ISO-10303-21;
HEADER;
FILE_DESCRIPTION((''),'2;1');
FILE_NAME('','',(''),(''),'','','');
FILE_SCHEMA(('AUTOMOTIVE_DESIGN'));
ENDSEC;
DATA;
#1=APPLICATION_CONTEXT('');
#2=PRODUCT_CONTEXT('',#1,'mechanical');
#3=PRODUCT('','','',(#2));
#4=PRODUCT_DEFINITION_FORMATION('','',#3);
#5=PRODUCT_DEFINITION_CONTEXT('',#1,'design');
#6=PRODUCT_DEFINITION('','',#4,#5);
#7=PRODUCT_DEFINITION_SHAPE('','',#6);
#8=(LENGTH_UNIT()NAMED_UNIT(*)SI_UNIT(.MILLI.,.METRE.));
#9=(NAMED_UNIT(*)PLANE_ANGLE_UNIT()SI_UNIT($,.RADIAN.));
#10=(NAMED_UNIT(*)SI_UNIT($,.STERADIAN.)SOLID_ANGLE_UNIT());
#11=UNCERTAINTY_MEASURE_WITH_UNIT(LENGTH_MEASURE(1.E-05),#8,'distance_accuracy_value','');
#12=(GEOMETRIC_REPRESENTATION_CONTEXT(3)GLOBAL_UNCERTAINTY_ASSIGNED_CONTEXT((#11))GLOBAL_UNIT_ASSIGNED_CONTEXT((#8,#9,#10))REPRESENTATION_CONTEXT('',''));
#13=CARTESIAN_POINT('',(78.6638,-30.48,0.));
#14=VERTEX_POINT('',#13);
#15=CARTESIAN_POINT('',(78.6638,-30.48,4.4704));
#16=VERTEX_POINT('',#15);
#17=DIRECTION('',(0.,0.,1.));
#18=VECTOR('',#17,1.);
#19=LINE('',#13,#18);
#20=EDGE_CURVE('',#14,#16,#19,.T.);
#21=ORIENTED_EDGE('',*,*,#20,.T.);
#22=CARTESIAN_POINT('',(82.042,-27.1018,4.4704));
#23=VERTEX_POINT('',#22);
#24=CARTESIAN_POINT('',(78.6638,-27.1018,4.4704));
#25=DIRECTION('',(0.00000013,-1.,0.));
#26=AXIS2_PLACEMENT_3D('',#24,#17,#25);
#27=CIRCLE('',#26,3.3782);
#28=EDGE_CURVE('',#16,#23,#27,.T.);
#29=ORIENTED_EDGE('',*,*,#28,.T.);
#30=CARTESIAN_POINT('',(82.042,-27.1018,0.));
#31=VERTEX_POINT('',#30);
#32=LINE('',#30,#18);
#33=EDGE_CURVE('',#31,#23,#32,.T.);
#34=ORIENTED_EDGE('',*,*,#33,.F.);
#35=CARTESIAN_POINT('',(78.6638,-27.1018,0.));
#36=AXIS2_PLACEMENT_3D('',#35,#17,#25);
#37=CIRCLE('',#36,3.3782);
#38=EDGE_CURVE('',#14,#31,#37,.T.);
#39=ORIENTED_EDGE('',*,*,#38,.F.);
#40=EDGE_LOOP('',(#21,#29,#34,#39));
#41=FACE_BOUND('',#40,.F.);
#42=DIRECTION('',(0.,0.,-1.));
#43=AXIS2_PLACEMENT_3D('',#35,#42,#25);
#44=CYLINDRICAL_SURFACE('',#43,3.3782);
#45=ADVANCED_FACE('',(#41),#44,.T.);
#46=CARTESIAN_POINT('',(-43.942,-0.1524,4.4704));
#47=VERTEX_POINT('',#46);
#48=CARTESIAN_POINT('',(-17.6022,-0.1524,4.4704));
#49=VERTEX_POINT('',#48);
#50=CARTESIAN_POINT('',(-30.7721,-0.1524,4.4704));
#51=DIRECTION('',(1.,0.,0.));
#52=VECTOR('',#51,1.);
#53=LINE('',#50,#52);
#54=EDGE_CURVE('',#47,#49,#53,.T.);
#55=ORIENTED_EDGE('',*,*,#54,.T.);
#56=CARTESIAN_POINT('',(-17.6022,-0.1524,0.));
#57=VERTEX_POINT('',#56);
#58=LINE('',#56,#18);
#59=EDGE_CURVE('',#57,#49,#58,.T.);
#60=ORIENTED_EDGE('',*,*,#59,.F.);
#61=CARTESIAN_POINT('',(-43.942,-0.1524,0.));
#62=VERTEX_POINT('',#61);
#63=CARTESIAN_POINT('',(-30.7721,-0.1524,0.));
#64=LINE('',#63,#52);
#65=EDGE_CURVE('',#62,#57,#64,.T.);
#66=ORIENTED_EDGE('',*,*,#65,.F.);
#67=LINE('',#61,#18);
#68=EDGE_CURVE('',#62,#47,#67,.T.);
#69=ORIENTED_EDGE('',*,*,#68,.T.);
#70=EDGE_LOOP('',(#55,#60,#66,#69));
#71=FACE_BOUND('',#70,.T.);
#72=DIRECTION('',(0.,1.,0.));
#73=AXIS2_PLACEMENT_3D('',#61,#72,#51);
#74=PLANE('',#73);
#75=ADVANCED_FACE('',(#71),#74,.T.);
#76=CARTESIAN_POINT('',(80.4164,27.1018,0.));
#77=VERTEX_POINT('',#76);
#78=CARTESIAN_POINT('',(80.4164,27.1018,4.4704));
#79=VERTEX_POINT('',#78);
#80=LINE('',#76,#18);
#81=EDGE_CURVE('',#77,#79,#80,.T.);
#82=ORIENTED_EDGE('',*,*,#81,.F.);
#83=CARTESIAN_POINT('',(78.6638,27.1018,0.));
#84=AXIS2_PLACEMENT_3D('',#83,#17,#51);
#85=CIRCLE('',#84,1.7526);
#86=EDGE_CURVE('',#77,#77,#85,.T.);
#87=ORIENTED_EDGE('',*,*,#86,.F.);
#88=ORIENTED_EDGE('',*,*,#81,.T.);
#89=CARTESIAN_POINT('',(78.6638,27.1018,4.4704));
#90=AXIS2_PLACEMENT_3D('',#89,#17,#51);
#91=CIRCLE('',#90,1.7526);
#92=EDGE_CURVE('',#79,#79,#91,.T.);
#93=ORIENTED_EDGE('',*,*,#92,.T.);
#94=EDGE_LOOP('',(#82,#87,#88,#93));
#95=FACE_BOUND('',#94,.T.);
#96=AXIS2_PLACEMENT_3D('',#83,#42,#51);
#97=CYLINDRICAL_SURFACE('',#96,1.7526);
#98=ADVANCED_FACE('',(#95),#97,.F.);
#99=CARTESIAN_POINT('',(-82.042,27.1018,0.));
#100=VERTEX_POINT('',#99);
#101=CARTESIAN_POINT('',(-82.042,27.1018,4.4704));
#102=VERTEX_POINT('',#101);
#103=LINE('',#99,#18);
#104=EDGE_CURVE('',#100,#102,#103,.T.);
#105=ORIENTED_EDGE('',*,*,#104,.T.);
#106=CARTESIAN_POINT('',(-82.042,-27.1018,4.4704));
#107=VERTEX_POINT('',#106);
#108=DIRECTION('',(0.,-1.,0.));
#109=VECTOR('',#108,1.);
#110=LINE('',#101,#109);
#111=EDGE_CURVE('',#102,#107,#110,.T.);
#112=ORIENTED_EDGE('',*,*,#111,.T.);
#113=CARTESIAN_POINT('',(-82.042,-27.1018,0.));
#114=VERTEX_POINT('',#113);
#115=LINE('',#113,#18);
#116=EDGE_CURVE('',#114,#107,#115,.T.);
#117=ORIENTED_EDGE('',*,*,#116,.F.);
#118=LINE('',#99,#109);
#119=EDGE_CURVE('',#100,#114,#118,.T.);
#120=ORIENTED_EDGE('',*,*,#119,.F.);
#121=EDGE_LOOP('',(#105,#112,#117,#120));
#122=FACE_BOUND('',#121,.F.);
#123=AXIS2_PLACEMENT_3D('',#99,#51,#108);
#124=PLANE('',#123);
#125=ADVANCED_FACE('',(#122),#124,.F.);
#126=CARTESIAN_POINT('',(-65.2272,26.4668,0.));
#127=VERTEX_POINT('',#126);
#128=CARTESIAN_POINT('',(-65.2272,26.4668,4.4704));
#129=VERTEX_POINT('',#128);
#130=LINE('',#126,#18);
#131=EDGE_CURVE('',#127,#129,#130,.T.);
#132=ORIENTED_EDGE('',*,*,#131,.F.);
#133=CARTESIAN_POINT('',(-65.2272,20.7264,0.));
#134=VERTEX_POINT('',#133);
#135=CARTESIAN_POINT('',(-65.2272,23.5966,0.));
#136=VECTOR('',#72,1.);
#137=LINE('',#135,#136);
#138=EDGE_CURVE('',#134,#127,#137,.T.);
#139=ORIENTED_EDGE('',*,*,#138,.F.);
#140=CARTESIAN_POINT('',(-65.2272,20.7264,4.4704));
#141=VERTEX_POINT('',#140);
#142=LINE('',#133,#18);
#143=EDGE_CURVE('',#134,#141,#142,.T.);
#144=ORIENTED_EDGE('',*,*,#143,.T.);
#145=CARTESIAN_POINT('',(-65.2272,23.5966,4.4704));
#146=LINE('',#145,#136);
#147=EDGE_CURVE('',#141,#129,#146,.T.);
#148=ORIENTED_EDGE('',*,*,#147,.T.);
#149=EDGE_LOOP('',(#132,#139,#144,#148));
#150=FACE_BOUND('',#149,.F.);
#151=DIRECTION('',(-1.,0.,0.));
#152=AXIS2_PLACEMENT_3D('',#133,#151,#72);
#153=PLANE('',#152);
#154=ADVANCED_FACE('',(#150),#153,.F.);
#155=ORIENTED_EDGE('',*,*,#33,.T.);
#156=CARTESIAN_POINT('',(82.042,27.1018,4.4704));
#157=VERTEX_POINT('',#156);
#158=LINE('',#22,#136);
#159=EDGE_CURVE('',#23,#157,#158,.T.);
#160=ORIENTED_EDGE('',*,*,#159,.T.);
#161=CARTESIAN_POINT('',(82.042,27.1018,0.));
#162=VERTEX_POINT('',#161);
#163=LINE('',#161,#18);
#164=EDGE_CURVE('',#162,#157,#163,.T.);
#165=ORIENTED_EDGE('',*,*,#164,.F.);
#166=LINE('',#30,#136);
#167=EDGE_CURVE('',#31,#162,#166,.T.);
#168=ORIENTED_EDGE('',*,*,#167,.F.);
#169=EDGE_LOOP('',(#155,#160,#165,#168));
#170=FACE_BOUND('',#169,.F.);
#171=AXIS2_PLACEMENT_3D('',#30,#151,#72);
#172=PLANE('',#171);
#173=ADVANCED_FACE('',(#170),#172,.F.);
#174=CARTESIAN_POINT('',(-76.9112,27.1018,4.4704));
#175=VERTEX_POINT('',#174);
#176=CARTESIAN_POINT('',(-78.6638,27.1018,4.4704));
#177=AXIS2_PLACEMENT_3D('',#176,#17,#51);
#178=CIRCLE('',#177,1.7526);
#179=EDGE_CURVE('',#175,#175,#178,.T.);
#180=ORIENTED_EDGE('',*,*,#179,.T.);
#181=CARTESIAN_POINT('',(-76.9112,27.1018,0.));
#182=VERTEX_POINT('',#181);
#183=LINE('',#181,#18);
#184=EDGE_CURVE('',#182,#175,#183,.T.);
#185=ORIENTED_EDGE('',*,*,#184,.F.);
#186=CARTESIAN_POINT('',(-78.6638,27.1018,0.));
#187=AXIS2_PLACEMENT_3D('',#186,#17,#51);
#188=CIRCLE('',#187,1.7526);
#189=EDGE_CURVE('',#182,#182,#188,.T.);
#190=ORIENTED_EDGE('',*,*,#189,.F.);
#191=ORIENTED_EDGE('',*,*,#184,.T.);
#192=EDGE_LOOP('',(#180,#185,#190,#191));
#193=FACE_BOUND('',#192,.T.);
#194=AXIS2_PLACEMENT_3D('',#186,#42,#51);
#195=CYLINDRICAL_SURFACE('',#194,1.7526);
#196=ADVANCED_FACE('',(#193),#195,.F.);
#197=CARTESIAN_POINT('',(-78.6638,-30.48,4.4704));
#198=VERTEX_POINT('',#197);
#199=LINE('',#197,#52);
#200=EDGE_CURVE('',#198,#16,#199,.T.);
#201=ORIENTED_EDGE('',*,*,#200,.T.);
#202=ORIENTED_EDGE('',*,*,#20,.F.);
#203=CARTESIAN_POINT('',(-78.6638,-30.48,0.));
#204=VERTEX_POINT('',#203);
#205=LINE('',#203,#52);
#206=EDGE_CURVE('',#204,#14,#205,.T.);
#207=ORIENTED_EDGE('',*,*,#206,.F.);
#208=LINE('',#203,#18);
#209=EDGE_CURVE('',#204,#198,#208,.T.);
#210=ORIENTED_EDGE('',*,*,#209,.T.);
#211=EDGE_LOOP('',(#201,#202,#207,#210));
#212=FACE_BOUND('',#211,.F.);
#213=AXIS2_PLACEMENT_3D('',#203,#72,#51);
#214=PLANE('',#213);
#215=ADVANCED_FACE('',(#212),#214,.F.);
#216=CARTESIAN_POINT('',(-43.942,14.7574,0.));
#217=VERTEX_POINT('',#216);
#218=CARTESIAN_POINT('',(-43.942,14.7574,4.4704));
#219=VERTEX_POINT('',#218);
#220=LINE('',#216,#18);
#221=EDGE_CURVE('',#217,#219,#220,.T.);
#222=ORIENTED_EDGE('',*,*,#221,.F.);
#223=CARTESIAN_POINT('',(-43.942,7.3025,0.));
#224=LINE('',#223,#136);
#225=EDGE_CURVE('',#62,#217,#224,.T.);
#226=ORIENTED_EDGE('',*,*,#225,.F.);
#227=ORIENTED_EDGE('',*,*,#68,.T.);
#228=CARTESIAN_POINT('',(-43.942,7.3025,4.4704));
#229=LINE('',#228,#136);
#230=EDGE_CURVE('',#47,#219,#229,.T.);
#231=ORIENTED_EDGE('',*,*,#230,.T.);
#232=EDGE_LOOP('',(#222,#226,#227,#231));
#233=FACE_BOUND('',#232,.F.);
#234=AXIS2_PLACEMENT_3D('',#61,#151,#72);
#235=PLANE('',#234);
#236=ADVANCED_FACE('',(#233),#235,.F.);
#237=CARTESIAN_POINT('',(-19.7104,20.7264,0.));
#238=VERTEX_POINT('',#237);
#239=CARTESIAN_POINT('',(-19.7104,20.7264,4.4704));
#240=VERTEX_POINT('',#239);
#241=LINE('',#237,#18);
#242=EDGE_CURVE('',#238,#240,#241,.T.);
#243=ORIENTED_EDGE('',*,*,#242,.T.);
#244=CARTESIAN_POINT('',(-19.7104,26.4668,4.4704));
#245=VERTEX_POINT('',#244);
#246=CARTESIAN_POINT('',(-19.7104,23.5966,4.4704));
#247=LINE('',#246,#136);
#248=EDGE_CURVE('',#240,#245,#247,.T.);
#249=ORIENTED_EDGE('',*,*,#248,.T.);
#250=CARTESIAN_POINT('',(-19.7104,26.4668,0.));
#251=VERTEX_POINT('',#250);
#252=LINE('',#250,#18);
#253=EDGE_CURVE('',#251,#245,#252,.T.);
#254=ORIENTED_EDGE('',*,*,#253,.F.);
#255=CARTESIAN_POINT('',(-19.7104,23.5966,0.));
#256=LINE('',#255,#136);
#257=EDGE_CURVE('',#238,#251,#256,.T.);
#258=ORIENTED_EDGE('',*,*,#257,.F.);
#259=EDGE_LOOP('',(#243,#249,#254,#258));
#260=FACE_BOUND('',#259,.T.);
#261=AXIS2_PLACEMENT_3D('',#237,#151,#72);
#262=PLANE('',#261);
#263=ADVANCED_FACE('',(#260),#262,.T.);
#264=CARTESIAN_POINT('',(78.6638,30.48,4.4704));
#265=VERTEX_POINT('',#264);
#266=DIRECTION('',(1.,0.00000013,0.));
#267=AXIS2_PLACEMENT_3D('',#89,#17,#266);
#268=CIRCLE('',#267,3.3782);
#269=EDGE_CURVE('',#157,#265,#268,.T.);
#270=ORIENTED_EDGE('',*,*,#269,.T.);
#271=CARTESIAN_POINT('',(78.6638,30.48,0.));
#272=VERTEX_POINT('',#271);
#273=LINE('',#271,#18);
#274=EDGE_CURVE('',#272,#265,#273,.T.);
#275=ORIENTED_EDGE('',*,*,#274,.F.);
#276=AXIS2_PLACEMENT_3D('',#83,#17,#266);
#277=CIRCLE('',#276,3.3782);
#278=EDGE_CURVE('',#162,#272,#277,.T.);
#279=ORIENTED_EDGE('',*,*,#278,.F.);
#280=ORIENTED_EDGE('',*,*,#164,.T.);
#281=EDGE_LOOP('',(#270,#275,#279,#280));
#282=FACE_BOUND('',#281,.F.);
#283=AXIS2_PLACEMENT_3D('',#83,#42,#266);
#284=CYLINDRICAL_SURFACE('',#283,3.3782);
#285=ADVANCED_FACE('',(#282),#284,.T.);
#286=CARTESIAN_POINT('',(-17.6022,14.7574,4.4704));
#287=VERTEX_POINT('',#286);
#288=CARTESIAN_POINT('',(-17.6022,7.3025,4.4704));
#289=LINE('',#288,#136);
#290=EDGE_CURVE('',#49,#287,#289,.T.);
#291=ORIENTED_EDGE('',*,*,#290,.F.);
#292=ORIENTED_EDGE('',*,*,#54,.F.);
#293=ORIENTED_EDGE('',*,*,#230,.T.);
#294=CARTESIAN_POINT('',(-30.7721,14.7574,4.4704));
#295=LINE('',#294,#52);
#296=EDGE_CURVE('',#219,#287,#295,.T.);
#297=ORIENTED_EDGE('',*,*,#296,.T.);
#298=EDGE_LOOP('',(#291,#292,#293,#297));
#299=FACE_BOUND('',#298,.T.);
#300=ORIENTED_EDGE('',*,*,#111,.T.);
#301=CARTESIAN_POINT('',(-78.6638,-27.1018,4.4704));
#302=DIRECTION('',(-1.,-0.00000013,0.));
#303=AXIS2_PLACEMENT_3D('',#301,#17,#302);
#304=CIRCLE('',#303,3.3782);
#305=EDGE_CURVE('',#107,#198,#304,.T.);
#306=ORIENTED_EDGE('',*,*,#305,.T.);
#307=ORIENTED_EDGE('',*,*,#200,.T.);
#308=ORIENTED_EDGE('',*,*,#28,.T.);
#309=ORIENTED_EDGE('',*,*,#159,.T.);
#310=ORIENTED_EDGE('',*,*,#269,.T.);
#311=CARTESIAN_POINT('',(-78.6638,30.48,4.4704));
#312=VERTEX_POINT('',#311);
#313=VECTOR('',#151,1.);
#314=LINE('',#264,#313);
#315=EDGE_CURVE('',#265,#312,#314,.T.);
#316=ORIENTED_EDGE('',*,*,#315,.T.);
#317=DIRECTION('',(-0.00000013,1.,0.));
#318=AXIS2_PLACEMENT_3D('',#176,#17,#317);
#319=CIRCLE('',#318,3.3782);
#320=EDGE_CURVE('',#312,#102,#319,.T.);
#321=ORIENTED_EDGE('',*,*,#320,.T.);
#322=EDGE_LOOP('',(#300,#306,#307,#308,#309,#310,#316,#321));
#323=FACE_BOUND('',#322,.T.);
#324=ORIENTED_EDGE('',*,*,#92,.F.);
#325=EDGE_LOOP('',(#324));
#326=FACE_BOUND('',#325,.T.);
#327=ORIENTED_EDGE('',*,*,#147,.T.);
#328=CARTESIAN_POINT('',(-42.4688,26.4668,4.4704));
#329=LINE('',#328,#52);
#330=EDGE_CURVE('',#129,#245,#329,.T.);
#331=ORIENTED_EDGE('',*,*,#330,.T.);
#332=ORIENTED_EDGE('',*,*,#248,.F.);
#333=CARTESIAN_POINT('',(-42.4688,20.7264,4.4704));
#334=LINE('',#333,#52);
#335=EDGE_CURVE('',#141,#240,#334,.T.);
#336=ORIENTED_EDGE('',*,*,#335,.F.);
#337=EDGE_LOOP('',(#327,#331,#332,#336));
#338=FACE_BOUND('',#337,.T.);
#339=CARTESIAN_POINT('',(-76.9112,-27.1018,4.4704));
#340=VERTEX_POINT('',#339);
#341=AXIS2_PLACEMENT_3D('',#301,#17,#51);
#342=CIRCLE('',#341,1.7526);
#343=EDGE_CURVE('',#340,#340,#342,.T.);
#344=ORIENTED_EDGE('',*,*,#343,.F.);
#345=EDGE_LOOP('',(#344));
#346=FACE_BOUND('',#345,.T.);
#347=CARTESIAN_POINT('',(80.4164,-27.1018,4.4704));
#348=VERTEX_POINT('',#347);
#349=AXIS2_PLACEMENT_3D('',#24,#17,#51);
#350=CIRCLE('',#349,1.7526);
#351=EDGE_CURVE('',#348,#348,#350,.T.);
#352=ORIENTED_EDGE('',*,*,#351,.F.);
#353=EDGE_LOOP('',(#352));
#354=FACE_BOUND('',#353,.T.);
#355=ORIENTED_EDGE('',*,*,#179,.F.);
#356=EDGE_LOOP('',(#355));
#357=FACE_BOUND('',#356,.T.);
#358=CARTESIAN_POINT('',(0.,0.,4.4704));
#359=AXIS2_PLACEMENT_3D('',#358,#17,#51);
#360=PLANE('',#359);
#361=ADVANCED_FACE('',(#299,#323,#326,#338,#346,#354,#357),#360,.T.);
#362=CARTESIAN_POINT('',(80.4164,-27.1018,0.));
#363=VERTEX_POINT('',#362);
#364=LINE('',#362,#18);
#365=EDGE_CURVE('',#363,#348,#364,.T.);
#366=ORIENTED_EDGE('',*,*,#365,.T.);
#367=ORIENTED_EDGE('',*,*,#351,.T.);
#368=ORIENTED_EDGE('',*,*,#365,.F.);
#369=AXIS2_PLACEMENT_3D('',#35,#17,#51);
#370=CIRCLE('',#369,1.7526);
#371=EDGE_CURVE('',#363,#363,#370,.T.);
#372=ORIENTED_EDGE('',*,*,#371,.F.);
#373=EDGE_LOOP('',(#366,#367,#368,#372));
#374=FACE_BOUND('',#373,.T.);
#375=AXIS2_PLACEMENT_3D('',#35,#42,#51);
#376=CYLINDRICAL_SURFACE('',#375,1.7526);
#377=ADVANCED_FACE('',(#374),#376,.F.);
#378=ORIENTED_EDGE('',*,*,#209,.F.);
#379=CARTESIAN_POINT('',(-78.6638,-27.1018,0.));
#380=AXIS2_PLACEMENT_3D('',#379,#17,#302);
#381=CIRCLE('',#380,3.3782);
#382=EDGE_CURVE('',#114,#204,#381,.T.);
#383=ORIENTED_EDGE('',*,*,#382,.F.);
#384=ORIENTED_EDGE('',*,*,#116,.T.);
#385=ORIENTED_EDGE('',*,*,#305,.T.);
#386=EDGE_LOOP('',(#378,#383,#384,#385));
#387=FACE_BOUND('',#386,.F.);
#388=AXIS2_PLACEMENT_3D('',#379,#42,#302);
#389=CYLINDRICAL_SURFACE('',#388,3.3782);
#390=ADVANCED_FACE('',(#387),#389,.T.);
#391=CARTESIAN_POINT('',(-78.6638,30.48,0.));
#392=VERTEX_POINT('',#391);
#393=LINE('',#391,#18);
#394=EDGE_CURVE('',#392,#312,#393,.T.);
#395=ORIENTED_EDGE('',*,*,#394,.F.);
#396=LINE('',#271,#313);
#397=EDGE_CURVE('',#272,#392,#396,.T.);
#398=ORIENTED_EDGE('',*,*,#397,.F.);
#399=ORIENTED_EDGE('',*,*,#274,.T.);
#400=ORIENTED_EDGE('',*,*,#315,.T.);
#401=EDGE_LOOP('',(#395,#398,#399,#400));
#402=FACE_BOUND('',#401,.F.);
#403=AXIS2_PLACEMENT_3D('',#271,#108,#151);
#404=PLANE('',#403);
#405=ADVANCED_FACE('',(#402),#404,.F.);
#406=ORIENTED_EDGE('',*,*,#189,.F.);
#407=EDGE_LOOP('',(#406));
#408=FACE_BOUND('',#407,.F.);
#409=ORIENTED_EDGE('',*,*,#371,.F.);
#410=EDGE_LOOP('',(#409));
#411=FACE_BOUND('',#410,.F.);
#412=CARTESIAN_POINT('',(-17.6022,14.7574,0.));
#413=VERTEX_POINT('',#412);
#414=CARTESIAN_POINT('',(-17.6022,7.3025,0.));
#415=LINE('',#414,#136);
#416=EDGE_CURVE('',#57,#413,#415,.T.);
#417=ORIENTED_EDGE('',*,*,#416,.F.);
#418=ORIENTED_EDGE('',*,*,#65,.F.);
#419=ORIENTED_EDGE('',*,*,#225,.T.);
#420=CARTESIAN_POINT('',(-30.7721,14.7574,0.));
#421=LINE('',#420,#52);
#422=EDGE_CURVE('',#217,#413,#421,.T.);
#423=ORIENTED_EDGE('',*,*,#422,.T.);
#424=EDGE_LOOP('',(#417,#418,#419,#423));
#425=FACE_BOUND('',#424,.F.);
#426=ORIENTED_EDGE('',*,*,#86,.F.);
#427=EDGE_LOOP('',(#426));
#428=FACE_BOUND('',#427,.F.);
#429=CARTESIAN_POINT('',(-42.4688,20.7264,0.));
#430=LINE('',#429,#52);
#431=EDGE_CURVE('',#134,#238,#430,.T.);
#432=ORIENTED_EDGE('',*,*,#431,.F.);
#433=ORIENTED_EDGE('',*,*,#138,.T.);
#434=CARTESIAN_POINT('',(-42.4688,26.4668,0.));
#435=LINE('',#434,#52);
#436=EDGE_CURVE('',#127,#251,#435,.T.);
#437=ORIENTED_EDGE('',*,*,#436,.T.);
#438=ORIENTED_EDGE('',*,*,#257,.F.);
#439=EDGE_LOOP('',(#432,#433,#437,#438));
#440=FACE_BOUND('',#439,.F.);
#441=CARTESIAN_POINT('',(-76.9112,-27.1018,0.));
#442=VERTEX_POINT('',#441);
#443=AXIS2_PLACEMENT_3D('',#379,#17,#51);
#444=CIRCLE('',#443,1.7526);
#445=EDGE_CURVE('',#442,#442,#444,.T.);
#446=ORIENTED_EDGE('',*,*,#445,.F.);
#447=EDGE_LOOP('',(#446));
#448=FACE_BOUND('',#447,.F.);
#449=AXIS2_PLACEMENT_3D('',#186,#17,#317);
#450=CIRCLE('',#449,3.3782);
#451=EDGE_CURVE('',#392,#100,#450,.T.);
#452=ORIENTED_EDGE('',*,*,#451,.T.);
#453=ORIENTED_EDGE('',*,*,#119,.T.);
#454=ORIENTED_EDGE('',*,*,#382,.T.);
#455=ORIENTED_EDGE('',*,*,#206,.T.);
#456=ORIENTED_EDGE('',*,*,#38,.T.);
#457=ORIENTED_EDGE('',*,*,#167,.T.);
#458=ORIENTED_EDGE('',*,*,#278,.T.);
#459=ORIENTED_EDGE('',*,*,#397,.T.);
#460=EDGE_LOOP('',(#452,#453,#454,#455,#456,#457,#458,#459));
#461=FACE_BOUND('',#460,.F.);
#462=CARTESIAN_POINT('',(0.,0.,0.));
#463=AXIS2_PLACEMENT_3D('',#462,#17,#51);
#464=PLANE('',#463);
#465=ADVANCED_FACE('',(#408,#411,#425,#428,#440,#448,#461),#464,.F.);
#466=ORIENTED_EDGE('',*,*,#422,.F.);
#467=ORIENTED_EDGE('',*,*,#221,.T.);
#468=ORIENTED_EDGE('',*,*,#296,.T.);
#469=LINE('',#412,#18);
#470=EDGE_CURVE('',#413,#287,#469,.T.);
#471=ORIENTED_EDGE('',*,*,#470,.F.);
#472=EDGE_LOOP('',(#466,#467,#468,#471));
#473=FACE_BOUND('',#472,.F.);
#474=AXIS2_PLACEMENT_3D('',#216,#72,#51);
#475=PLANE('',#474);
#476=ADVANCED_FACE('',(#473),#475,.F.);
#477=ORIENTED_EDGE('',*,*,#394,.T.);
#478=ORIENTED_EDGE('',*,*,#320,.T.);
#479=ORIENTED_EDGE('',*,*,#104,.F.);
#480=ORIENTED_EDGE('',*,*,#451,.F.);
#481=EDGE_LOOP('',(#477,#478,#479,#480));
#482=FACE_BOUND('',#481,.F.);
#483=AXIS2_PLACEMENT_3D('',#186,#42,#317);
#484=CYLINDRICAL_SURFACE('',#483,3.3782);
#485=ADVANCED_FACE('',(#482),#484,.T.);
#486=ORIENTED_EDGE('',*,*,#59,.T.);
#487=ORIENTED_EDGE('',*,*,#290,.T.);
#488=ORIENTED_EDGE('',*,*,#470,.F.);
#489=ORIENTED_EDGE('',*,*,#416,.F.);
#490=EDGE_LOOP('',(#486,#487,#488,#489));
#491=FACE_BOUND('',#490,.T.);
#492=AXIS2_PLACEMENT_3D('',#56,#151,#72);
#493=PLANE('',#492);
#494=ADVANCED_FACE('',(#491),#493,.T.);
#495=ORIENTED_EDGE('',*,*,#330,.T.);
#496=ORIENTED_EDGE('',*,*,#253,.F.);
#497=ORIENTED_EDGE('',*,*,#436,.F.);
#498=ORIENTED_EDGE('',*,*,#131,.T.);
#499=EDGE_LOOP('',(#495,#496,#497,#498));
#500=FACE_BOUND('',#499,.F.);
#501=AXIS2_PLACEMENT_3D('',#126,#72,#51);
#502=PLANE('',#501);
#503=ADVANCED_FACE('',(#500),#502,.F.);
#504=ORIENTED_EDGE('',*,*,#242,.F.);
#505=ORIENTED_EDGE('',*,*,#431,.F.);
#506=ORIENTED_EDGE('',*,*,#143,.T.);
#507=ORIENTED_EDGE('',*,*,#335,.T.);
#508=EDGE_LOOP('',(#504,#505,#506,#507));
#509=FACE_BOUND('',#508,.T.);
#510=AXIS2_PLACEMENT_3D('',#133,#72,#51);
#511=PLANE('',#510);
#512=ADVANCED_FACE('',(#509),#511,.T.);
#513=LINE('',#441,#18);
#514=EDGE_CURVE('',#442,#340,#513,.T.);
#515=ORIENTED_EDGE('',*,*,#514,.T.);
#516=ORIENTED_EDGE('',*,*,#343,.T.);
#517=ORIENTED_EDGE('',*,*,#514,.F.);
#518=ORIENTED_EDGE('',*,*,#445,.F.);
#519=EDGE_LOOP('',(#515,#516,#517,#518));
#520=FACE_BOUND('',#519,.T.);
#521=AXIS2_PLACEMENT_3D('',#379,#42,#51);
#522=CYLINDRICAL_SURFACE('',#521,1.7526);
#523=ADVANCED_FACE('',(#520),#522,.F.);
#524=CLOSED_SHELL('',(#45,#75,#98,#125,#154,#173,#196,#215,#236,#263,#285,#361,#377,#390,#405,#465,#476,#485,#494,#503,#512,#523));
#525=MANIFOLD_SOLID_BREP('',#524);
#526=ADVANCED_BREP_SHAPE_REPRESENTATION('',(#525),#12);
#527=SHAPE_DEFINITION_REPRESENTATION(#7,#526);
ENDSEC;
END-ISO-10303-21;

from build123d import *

# Parameters (mm, degrees)
F0_R     = 1.7526
F0_W     = 26.3398
F0_H     = 14.9098
F0_W_2   = 45.5168
F0_H_2   = 5.7404
F1_DEPTH = 4.4704


with BuildPart() as f1:
    # F0 (on Top) → F1 (new body)
    with BuildSketch(Plane.XY):
        with BuildLine():
            Line((-78.6638, -30.48), (78.6638, -30.48))
            ThreePointArc((78.6638, -30.48), (81.052548, -29.490548), (82.042, -27.1018))
            Line((82.042, -27.1018), (82.042, 27.1018))
            ThreePointArc((82.042, 27.1018), (81.052548, 29.490548), (78.6638, 30.48))
            Line((78.6638, 30.48), (-78.6638, 30.48))
            ThreePointArc((-78.6638, 30.48), (-81.052548, 29.490548), (-82.042, 27.1018))
            Line((-82.042, 27.1018), (-82.042, -27.1018))
            ThreePointArc((-82.042, -27.1018), (-81.052548, -29.490548), (-78.6638, -30.48))
        make_face()
        with Locations((-78.6638, -27.1018)):
            Circle(F0_R, mode=Mode.SUBTRACT)
        with Locations((78.6638, -27.1018)):
            Circle(F0_R, mode=Mode.SUBTRACT)
        with Locations((-30.7721, 7.3025)):
            Rectangle(F0_W, F0_H, mode=Mode.SUBTRACT)
        with Locations((-78.6638, 27.1018)):
            Circle(F0_R, mode=Mode.SUBTRACT)
        with Locations((-42.4688, 23.5966)):
            Rectangle(F0_W_2, F0_H_2, mode=Mode.SUBTRACT)
        with Locations((78.6638, 27.1018)):
            Circle(F0_R, mode=Mode.SUBTRACT)
    extrude(amount=F1_DEPTH)


solid = f1.part
